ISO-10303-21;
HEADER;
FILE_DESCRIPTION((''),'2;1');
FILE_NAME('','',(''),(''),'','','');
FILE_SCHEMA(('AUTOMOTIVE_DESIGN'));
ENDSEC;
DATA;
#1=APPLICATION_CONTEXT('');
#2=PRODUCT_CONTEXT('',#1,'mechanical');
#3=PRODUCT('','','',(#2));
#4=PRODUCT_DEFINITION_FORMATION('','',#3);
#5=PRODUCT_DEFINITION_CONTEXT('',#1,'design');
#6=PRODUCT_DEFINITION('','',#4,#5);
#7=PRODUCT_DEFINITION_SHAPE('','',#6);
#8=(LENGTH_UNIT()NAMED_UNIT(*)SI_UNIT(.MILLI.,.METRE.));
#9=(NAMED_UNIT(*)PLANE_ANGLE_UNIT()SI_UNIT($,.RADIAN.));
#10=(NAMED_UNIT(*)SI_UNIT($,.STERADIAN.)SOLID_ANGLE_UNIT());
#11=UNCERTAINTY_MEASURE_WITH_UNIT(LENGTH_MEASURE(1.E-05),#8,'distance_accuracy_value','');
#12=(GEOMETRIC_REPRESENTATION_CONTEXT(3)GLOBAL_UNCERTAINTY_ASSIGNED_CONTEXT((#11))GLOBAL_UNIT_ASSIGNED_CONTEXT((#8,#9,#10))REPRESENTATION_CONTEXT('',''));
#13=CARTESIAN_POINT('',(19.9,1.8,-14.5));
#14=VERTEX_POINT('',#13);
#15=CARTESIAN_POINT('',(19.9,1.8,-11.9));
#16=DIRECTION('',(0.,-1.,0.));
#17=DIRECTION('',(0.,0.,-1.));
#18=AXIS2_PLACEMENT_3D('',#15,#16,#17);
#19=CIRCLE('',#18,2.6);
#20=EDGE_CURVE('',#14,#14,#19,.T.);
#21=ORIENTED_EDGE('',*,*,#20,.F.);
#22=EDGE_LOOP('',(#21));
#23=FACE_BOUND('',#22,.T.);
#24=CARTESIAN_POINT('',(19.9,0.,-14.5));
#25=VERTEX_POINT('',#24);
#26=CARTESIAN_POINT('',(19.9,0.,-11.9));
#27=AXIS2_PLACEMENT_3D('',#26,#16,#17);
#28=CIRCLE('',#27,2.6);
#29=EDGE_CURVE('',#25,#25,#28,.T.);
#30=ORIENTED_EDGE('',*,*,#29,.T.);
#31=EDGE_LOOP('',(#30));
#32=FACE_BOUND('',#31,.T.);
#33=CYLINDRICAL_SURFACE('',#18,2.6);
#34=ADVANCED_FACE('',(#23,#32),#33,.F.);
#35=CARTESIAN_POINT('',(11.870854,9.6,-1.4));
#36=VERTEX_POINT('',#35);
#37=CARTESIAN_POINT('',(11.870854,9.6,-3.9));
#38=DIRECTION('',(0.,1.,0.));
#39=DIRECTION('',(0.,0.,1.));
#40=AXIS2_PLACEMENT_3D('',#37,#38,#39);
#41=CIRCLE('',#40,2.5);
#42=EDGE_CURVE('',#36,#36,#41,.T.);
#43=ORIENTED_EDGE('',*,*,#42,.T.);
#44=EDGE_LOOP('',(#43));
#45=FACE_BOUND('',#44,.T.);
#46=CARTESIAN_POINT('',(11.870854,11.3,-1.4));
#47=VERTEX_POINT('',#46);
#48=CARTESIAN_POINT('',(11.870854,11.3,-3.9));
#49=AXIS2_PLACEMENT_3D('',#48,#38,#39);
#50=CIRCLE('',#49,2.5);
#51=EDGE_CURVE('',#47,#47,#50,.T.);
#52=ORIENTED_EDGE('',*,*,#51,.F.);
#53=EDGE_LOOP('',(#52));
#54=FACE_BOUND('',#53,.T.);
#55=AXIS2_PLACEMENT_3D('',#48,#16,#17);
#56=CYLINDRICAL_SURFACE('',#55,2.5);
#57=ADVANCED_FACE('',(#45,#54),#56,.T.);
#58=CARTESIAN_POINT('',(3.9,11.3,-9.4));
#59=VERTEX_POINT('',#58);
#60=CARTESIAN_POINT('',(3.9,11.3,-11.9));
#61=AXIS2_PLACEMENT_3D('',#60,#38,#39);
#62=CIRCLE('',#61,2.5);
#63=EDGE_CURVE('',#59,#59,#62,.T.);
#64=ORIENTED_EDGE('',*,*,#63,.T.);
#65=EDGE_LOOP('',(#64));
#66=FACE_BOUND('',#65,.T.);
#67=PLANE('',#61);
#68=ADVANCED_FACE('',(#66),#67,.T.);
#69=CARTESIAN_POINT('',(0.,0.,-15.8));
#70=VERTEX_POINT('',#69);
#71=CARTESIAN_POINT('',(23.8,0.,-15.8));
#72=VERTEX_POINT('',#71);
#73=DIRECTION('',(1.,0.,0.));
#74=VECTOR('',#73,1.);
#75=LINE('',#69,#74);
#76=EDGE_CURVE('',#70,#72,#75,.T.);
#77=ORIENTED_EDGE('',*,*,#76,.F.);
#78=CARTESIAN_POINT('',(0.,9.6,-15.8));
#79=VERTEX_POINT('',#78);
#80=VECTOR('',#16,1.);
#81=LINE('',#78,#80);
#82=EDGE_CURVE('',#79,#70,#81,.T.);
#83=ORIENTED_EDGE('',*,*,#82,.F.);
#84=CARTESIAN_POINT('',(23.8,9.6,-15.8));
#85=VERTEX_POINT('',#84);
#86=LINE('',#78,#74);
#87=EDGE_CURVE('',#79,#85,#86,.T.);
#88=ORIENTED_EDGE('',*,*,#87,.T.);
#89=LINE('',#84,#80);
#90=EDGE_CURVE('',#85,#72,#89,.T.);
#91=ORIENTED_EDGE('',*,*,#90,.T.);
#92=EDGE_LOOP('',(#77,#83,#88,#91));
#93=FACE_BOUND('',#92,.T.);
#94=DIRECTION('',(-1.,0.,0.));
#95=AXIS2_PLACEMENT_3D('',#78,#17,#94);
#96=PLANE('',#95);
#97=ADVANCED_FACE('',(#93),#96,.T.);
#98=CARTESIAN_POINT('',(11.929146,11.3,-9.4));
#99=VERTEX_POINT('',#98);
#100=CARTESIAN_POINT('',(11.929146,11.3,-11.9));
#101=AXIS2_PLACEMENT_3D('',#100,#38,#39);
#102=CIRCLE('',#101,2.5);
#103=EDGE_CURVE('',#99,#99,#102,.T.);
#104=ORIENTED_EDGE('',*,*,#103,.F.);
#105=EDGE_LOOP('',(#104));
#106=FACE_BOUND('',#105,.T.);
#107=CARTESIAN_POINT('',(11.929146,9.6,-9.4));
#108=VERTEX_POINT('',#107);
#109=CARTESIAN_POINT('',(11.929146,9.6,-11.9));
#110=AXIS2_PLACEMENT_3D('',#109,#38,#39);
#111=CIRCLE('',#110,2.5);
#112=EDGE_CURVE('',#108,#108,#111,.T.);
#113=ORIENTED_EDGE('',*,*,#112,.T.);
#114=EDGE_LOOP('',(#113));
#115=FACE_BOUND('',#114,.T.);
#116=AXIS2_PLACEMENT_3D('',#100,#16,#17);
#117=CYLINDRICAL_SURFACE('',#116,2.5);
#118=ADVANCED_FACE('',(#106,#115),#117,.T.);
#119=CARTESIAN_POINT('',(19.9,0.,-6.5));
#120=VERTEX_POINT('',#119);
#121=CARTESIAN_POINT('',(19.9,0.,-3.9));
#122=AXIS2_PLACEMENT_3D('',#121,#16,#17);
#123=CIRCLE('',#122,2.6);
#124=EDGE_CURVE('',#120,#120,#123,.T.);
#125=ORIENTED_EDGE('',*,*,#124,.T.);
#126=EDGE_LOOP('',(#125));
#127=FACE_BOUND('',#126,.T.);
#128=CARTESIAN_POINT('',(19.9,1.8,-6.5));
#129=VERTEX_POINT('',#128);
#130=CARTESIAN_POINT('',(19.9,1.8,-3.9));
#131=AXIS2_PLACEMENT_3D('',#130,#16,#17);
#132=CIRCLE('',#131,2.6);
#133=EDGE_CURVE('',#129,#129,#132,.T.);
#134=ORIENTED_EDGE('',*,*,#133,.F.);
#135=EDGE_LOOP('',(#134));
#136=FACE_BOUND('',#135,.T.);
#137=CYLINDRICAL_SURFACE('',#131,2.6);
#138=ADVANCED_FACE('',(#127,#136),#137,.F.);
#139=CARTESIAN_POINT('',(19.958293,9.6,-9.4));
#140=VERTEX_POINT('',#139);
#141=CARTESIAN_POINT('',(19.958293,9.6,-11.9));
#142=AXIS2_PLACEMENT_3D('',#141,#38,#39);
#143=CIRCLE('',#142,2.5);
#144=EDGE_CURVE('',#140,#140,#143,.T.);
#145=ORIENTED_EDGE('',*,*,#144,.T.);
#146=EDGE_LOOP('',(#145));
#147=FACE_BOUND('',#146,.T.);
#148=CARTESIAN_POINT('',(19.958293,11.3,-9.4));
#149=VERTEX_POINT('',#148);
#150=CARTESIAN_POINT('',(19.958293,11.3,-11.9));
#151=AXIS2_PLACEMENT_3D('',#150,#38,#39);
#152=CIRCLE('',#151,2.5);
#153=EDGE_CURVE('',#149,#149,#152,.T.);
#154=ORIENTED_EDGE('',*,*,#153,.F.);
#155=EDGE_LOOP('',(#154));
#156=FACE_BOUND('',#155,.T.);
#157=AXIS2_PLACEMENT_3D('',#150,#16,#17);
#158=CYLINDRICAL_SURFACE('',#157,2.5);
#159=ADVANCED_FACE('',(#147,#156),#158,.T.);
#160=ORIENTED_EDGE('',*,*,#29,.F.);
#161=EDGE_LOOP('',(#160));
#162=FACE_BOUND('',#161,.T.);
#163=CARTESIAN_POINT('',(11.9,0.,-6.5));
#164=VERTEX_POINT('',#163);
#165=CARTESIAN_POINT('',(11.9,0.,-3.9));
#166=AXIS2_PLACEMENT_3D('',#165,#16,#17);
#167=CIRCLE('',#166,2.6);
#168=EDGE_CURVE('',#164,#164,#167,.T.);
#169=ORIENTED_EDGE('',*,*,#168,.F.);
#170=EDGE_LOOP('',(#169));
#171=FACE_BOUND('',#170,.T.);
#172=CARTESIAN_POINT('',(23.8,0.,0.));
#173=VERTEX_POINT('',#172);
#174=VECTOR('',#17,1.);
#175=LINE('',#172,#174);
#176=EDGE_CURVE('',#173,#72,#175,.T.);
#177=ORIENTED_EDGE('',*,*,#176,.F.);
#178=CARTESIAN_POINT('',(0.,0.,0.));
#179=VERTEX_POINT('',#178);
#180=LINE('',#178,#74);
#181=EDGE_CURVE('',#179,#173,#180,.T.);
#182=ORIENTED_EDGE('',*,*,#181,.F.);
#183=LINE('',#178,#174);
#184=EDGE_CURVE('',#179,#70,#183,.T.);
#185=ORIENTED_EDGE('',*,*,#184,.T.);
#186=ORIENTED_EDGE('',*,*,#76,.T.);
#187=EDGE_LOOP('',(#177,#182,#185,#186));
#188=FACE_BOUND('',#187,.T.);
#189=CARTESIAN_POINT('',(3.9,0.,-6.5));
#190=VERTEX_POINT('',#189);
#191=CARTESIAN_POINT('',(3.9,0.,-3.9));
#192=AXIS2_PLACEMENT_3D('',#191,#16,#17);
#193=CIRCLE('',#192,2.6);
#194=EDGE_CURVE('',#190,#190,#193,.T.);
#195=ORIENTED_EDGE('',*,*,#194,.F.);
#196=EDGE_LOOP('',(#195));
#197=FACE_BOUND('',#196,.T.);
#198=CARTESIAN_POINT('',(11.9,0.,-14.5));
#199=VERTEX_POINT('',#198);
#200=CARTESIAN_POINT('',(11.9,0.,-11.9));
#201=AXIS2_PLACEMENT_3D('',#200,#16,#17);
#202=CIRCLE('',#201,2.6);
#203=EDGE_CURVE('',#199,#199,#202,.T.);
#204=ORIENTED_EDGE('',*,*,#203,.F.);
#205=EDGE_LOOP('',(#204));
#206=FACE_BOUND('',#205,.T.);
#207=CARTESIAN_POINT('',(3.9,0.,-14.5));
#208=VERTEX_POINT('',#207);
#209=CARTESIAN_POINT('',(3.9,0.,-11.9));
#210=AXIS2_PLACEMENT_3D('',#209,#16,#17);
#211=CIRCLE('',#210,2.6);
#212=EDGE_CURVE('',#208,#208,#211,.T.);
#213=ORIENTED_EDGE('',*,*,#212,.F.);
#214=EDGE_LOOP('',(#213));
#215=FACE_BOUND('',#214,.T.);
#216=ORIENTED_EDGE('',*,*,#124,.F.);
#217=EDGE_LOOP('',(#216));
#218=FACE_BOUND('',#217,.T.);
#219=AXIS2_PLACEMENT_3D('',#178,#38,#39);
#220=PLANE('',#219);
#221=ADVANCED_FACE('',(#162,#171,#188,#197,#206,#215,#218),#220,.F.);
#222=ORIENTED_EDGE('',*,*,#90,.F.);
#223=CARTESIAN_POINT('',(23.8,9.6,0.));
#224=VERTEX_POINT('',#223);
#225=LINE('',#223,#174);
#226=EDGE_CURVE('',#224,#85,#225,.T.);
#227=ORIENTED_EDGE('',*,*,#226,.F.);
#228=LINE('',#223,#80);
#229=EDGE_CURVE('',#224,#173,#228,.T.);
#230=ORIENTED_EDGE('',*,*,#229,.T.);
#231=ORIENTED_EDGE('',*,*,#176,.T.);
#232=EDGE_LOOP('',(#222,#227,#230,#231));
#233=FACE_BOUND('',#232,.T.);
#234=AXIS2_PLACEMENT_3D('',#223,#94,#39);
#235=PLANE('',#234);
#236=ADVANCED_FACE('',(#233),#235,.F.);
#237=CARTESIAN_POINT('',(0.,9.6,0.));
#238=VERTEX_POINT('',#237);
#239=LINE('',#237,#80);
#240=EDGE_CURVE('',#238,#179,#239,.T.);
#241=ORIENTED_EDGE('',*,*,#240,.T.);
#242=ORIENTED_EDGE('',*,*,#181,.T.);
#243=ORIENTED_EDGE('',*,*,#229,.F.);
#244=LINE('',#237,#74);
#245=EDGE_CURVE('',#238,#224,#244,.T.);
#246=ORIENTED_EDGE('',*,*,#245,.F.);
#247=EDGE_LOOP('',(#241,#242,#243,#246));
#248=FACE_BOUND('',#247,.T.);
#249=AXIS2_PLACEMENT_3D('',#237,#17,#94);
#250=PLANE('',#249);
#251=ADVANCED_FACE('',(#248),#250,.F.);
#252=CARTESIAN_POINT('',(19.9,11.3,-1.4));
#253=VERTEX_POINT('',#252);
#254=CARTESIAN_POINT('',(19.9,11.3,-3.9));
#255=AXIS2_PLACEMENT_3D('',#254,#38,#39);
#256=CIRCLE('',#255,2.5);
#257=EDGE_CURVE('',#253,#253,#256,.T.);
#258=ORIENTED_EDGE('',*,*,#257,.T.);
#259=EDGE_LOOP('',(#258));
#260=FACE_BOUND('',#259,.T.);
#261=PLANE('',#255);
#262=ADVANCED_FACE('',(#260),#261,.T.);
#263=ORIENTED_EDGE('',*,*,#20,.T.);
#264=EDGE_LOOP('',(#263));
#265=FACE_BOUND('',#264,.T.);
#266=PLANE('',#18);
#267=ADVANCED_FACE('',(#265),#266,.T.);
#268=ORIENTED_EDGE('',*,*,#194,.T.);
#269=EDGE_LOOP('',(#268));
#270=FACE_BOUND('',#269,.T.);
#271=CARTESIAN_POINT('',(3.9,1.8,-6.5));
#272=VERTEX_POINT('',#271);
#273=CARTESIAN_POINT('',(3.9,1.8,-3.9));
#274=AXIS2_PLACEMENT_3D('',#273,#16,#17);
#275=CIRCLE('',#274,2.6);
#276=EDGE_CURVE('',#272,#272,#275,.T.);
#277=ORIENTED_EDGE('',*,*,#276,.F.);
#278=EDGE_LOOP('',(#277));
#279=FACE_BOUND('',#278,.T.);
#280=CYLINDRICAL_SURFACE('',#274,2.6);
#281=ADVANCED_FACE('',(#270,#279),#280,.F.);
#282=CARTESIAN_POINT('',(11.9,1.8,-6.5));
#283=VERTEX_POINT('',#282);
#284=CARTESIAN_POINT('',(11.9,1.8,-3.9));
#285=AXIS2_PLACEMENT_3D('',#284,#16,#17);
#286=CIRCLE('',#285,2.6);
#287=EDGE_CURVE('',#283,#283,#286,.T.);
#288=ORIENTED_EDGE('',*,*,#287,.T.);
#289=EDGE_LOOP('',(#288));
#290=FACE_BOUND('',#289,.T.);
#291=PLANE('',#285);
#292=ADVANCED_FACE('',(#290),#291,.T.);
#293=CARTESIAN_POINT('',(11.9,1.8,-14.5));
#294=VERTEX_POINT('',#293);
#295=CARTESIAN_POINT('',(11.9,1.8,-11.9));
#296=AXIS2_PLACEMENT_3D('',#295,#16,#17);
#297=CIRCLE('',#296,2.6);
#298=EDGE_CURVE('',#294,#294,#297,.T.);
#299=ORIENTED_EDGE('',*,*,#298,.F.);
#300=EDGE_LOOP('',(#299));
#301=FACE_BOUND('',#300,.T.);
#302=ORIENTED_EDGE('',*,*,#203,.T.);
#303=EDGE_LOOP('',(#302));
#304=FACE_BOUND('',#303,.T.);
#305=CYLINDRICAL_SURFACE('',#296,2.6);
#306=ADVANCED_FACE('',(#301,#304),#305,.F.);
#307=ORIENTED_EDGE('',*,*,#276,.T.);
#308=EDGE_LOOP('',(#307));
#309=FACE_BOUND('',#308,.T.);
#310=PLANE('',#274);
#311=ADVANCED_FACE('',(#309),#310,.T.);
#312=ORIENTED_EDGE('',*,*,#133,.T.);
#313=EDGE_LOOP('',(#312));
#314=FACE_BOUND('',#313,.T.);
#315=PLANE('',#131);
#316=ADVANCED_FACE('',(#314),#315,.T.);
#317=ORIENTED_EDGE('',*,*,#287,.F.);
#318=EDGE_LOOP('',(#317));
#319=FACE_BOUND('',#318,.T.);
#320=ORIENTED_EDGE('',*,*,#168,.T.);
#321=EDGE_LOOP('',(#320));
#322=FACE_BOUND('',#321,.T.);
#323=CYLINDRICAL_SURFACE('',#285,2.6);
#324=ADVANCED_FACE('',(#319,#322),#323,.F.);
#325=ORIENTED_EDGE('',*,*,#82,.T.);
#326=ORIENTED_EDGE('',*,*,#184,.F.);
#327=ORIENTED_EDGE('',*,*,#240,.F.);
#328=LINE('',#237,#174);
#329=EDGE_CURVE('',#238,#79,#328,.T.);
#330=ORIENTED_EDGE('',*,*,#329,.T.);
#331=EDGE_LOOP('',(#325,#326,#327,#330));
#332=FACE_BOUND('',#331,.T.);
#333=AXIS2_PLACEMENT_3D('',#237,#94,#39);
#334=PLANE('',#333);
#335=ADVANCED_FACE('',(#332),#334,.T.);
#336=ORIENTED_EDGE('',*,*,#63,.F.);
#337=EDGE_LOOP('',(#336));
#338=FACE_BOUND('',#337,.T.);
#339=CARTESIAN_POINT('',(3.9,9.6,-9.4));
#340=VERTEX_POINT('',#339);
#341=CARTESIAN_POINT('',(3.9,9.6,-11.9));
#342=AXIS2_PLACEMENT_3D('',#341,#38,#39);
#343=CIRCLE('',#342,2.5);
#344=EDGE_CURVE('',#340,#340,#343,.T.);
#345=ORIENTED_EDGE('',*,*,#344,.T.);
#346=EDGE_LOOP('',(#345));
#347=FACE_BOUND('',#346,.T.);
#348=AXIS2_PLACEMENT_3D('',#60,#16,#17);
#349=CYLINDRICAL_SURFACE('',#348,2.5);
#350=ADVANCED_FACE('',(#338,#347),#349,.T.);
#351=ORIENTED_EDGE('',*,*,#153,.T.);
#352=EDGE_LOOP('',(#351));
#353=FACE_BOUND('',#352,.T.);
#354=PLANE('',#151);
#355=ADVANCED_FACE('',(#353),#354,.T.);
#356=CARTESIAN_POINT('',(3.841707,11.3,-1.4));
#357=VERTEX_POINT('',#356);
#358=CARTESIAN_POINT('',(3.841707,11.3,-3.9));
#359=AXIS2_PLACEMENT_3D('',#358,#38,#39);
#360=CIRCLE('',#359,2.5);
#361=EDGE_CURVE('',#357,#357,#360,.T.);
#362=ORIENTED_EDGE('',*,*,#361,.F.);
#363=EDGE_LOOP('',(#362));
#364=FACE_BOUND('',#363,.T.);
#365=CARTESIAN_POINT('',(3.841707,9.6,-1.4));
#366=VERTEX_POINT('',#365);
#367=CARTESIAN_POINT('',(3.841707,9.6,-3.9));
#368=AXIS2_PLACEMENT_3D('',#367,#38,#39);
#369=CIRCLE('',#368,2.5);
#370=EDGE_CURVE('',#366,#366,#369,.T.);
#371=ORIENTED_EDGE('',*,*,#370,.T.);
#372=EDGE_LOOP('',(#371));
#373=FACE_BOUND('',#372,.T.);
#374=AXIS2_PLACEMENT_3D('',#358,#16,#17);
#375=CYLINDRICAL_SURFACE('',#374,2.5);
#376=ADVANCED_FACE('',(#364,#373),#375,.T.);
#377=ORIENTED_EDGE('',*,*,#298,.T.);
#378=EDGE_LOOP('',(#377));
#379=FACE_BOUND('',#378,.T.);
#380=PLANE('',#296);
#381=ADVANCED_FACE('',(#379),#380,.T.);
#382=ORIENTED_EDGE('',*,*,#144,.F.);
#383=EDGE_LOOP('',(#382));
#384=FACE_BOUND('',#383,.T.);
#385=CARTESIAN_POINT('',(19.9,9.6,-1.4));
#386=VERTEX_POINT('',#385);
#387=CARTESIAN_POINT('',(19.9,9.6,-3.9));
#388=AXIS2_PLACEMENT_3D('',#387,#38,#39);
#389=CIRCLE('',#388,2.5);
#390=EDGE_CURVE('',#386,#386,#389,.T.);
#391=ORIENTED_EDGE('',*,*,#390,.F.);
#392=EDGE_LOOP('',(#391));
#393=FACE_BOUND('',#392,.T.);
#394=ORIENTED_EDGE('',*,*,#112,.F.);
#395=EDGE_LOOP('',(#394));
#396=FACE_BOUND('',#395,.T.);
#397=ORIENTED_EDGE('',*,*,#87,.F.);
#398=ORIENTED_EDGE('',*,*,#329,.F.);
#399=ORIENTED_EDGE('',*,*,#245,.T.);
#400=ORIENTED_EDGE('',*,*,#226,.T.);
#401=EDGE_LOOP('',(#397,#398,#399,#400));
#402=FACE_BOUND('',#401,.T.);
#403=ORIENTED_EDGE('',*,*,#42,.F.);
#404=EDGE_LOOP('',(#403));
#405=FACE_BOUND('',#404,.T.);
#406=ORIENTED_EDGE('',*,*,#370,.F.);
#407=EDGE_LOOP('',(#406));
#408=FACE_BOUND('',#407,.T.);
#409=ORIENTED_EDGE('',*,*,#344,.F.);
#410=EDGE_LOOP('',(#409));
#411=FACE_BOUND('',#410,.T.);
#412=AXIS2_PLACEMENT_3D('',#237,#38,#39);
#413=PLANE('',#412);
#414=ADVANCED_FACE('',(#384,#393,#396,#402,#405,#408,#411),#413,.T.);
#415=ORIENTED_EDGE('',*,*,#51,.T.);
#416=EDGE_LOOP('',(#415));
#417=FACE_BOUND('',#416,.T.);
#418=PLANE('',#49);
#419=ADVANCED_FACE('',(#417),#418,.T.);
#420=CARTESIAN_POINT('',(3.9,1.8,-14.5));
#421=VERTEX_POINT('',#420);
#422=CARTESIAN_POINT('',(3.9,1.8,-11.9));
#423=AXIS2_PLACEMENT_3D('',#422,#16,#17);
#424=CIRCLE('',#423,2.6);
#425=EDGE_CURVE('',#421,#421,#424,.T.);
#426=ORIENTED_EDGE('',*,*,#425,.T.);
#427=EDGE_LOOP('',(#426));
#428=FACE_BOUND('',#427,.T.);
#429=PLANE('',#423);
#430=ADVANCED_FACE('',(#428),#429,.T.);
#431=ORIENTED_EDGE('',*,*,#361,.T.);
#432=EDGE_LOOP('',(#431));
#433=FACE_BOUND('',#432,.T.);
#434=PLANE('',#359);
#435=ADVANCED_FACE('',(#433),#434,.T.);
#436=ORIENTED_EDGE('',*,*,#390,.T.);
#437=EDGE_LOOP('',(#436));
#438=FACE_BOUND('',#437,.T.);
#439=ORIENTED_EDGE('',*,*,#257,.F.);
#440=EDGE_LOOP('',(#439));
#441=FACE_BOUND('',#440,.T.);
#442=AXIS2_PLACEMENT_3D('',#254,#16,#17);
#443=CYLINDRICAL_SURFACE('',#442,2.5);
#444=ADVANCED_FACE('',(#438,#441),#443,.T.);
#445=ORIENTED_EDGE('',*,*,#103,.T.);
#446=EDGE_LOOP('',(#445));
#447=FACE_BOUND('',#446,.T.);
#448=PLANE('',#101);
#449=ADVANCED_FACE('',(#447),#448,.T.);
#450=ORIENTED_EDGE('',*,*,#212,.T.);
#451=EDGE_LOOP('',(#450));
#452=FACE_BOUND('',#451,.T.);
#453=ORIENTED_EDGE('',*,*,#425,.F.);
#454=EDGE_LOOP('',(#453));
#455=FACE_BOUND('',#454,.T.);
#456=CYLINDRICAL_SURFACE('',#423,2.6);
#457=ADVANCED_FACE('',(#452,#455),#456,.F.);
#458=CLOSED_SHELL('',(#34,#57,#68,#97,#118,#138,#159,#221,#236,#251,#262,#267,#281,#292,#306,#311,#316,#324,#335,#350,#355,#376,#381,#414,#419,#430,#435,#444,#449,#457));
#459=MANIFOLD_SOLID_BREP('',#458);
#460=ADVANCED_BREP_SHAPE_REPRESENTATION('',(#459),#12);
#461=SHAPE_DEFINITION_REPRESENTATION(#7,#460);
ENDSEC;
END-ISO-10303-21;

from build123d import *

# Parameters (mm, degrees)
SKETCH_5_W          = 23.8
SKETCH_5_H          = 15.8
EXTRUDE_2_DEPTH     = 9.6
SKETCH_6_R          = 2.5
EXTRUDE_3_DEPTH     = 1.7
SKETCH_7_R          = 2.6
CUT_EXTRUDE_1_DEPTH = 1.8


with BuildPart() as part:
    # Эскиз5 → Бобышка-Вытянуть2 (new body)
    with BuildSketch(Plane(origin=(0, 0, 0), x_dir=(1, 0, 0), z_dir=(0, 1, 0))):
        with Locations((11.9, 7.9)):
            Rectangle(SKETCH_5_W, SKETCH_5_H)
    extrude(amount=EXTRUDE_2_DEPTH)

    # Эскиз6 → Бобышка-Вытянуть3 (add)
    with BuildSketch(Plane(origin=(0, 9.6, 0), x_dir=(1, 0, 0), z_dir=(0, 1, 0))):
        with Locations((3.9, 11.9)):
            Circle(SKETCH_6_R)
        with Locations((11.929146399, 11.9)):
            Circle(SKETCH_6_R)
        with Locations((19.958292799, 11.9)):
            Circle(SKETCH_6_R)
        with Locations((11.870853601, 3.9)):
            Circle(SKETCH_6_R)
        with Locations((19.9, 3.9)):
            Circle(SKETCH_6_R)
        with Locations((3.841707201, 3.9)):
            Circle(SKETCH_6_R)
    extrude(amount=EXTRUDE_3_DEPTH)

    # Эскиз7 → Вырез-Вытянуть1 (cut)
    with BuildSketch(Plane.XZ):
        with Locations((3.9, -3.9)):
            Circle(SKETCH_7_R)
        with Locations((11.9, -3.9)):
            Circle(SKETCH_7_R)
        with Locations((19.9, -3.9)):
            Circle(SKETCH_7_R)
        with Locations((11.9, -11.9)):
            Circle(SKETCH_7_R)
        with Locations((19.9, -11.9)):
            Circle(SKETCH_7_R)
        with Locations((3.9, -11.9)):
            Circle(SKETCH_7_R)
    extrude(amount=-CUT_EXTRUDE_1_DEPTH, mode=Mode.SUBTRACT)


solid = part.part
